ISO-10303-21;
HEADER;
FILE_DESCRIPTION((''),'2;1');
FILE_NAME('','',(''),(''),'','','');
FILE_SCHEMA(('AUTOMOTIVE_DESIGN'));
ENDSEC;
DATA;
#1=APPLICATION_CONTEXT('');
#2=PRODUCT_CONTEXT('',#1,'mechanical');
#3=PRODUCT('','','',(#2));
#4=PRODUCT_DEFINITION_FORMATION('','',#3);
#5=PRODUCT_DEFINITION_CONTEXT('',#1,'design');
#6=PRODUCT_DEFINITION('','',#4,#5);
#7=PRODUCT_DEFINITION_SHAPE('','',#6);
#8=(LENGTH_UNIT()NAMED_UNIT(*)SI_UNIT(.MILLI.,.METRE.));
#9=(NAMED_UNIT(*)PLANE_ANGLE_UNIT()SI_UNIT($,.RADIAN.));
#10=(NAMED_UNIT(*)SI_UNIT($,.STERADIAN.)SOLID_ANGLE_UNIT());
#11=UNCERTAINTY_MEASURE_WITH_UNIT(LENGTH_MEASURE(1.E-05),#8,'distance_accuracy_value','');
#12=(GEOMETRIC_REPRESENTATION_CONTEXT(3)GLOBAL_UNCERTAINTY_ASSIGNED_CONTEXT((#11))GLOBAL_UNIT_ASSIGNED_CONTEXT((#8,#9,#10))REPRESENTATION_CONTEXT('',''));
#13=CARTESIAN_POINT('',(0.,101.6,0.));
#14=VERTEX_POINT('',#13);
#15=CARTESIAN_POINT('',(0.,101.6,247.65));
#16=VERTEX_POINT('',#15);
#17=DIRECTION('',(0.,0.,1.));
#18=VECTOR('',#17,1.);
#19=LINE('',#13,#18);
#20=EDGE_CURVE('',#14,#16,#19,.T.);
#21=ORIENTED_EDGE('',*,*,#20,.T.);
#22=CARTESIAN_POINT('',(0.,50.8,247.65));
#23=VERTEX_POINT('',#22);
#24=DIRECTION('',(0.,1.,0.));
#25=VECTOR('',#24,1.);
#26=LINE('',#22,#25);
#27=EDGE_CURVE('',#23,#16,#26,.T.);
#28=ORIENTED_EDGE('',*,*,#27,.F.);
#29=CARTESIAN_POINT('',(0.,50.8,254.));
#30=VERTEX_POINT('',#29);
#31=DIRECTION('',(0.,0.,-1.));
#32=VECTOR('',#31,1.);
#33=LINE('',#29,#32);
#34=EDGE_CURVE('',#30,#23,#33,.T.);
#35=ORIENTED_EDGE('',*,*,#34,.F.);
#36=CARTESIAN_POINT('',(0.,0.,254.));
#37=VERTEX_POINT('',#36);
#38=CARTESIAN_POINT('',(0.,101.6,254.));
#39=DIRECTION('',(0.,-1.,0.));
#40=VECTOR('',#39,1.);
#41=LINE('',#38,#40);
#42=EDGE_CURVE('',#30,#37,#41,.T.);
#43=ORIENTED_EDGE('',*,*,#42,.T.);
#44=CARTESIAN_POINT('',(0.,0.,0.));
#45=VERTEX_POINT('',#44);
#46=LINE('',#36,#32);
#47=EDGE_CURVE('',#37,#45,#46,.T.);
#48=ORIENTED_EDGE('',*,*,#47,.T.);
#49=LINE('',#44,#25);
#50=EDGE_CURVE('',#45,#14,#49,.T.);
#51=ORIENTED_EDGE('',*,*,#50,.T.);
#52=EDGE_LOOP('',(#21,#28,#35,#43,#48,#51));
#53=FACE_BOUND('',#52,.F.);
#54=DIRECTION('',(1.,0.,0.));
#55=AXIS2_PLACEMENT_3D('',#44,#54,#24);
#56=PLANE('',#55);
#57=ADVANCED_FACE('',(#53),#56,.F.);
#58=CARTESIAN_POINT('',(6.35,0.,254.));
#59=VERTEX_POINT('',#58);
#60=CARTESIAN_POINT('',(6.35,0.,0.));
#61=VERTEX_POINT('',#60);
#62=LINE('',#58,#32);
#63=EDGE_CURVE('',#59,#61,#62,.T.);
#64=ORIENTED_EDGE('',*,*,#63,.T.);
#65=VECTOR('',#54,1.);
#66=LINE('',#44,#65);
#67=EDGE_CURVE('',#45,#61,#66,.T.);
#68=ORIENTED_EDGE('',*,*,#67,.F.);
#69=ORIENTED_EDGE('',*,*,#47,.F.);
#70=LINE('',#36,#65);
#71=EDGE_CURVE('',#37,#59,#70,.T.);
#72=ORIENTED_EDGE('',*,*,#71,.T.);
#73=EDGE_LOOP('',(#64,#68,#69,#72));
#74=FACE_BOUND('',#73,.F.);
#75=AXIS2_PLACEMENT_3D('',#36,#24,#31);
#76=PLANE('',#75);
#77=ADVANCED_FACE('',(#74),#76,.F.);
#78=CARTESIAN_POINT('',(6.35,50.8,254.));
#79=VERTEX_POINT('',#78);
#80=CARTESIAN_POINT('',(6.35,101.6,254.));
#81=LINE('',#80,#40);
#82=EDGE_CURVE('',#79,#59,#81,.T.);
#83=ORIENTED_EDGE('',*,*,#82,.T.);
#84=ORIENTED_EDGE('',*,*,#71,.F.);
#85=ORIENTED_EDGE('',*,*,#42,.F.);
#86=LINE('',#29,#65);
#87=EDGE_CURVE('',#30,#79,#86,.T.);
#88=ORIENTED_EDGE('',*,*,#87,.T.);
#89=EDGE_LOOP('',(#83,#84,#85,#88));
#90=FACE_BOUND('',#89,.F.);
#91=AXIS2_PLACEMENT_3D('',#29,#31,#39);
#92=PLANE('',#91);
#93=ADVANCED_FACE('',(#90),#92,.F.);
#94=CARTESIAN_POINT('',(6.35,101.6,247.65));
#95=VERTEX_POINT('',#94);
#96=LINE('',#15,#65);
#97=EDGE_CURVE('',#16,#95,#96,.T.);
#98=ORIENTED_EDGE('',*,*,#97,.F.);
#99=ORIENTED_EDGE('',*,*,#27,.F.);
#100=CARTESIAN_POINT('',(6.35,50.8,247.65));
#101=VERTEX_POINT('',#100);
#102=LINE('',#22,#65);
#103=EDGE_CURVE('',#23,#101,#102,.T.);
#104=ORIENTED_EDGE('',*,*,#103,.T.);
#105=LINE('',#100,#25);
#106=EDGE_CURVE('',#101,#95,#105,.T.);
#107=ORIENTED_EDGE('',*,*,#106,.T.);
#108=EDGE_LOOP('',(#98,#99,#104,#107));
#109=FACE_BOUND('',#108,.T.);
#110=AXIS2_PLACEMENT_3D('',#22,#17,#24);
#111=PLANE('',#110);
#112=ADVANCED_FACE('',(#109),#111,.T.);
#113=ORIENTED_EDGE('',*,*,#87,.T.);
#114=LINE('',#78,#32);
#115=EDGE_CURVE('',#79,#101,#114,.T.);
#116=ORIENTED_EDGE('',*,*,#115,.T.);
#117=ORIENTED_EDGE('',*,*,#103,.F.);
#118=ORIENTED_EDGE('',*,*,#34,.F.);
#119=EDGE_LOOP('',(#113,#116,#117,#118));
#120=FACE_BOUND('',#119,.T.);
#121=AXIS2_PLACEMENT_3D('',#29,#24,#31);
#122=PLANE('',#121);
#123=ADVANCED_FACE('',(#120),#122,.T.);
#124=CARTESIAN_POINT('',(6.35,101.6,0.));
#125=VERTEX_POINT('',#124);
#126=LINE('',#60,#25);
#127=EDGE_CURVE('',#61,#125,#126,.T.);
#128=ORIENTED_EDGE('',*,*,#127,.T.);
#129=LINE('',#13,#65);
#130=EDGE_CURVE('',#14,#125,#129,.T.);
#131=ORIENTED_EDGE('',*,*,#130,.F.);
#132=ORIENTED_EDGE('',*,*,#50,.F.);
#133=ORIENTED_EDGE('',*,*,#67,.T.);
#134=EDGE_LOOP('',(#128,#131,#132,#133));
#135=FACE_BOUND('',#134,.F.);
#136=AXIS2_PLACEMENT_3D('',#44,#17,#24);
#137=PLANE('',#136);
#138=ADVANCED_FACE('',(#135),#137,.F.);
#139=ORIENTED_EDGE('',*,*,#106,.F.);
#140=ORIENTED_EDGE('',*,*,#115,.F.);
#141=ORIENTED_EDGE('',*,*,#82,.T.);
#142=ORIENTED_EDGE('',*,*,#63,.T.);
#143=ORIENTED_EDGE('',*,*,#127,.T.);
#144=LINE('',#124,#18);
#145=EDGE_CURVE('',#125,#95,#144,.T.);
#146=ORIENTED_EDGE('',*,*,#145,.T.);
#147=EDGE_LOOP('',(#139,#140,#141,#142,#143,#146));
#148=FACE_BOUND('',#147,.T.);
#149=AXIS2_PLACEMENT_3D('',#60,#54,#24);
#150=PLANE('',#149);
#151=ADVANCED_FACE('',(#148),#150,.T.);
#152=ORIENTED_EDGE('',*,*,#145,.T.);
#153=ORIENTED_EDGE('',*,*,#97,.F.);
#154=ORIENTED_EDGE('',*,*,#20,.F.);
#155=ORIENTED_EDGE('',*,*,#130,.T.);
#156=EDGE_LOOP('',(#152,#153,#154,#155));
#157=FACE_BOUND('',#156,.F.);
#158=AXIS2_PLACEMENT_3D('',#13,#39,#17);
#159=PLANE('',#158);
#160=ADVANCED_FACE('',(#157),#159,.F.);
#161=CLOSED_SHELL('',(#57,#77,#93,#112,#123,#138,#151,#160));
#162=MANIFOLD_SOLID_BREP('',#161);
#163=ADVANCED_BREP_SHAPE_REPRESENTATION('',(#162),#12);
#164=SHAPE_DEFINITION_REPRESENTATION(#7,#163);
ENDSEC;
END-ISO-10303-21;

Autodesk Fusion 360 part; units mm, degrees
sketch "Sketch1" plane through (0, 0, 0) normal (1, 0, 0) x (0, 1, 0)
  line L0 (0, 0) -> (101.6, 0)
  line L1 (101.6, 0) -> (101.6, 254)
  line L2 (101.6, 254) -> (0, 254)
  line L3 (0, 254) -> (0, 0)
  line L4 (101.6, 254) -> (50.8, 254)
  line L5 (50.8, 254) -> (50.8, 247.65)
  line L6 (50.8, 247.65) -> (101.6, 247.65)
  line L7 (101.6, 247.65) -> (101.6, 254)
  dimension "d1" = 101.6
  dimension "d2" = 254
  dimension "d3" = 6.35
  dimension "d4" = 50.8
extrude "Extrude1" add sketch "Sketch1" along normal blind 6.35 contours L0 L1 L2 L3 L5 L6
